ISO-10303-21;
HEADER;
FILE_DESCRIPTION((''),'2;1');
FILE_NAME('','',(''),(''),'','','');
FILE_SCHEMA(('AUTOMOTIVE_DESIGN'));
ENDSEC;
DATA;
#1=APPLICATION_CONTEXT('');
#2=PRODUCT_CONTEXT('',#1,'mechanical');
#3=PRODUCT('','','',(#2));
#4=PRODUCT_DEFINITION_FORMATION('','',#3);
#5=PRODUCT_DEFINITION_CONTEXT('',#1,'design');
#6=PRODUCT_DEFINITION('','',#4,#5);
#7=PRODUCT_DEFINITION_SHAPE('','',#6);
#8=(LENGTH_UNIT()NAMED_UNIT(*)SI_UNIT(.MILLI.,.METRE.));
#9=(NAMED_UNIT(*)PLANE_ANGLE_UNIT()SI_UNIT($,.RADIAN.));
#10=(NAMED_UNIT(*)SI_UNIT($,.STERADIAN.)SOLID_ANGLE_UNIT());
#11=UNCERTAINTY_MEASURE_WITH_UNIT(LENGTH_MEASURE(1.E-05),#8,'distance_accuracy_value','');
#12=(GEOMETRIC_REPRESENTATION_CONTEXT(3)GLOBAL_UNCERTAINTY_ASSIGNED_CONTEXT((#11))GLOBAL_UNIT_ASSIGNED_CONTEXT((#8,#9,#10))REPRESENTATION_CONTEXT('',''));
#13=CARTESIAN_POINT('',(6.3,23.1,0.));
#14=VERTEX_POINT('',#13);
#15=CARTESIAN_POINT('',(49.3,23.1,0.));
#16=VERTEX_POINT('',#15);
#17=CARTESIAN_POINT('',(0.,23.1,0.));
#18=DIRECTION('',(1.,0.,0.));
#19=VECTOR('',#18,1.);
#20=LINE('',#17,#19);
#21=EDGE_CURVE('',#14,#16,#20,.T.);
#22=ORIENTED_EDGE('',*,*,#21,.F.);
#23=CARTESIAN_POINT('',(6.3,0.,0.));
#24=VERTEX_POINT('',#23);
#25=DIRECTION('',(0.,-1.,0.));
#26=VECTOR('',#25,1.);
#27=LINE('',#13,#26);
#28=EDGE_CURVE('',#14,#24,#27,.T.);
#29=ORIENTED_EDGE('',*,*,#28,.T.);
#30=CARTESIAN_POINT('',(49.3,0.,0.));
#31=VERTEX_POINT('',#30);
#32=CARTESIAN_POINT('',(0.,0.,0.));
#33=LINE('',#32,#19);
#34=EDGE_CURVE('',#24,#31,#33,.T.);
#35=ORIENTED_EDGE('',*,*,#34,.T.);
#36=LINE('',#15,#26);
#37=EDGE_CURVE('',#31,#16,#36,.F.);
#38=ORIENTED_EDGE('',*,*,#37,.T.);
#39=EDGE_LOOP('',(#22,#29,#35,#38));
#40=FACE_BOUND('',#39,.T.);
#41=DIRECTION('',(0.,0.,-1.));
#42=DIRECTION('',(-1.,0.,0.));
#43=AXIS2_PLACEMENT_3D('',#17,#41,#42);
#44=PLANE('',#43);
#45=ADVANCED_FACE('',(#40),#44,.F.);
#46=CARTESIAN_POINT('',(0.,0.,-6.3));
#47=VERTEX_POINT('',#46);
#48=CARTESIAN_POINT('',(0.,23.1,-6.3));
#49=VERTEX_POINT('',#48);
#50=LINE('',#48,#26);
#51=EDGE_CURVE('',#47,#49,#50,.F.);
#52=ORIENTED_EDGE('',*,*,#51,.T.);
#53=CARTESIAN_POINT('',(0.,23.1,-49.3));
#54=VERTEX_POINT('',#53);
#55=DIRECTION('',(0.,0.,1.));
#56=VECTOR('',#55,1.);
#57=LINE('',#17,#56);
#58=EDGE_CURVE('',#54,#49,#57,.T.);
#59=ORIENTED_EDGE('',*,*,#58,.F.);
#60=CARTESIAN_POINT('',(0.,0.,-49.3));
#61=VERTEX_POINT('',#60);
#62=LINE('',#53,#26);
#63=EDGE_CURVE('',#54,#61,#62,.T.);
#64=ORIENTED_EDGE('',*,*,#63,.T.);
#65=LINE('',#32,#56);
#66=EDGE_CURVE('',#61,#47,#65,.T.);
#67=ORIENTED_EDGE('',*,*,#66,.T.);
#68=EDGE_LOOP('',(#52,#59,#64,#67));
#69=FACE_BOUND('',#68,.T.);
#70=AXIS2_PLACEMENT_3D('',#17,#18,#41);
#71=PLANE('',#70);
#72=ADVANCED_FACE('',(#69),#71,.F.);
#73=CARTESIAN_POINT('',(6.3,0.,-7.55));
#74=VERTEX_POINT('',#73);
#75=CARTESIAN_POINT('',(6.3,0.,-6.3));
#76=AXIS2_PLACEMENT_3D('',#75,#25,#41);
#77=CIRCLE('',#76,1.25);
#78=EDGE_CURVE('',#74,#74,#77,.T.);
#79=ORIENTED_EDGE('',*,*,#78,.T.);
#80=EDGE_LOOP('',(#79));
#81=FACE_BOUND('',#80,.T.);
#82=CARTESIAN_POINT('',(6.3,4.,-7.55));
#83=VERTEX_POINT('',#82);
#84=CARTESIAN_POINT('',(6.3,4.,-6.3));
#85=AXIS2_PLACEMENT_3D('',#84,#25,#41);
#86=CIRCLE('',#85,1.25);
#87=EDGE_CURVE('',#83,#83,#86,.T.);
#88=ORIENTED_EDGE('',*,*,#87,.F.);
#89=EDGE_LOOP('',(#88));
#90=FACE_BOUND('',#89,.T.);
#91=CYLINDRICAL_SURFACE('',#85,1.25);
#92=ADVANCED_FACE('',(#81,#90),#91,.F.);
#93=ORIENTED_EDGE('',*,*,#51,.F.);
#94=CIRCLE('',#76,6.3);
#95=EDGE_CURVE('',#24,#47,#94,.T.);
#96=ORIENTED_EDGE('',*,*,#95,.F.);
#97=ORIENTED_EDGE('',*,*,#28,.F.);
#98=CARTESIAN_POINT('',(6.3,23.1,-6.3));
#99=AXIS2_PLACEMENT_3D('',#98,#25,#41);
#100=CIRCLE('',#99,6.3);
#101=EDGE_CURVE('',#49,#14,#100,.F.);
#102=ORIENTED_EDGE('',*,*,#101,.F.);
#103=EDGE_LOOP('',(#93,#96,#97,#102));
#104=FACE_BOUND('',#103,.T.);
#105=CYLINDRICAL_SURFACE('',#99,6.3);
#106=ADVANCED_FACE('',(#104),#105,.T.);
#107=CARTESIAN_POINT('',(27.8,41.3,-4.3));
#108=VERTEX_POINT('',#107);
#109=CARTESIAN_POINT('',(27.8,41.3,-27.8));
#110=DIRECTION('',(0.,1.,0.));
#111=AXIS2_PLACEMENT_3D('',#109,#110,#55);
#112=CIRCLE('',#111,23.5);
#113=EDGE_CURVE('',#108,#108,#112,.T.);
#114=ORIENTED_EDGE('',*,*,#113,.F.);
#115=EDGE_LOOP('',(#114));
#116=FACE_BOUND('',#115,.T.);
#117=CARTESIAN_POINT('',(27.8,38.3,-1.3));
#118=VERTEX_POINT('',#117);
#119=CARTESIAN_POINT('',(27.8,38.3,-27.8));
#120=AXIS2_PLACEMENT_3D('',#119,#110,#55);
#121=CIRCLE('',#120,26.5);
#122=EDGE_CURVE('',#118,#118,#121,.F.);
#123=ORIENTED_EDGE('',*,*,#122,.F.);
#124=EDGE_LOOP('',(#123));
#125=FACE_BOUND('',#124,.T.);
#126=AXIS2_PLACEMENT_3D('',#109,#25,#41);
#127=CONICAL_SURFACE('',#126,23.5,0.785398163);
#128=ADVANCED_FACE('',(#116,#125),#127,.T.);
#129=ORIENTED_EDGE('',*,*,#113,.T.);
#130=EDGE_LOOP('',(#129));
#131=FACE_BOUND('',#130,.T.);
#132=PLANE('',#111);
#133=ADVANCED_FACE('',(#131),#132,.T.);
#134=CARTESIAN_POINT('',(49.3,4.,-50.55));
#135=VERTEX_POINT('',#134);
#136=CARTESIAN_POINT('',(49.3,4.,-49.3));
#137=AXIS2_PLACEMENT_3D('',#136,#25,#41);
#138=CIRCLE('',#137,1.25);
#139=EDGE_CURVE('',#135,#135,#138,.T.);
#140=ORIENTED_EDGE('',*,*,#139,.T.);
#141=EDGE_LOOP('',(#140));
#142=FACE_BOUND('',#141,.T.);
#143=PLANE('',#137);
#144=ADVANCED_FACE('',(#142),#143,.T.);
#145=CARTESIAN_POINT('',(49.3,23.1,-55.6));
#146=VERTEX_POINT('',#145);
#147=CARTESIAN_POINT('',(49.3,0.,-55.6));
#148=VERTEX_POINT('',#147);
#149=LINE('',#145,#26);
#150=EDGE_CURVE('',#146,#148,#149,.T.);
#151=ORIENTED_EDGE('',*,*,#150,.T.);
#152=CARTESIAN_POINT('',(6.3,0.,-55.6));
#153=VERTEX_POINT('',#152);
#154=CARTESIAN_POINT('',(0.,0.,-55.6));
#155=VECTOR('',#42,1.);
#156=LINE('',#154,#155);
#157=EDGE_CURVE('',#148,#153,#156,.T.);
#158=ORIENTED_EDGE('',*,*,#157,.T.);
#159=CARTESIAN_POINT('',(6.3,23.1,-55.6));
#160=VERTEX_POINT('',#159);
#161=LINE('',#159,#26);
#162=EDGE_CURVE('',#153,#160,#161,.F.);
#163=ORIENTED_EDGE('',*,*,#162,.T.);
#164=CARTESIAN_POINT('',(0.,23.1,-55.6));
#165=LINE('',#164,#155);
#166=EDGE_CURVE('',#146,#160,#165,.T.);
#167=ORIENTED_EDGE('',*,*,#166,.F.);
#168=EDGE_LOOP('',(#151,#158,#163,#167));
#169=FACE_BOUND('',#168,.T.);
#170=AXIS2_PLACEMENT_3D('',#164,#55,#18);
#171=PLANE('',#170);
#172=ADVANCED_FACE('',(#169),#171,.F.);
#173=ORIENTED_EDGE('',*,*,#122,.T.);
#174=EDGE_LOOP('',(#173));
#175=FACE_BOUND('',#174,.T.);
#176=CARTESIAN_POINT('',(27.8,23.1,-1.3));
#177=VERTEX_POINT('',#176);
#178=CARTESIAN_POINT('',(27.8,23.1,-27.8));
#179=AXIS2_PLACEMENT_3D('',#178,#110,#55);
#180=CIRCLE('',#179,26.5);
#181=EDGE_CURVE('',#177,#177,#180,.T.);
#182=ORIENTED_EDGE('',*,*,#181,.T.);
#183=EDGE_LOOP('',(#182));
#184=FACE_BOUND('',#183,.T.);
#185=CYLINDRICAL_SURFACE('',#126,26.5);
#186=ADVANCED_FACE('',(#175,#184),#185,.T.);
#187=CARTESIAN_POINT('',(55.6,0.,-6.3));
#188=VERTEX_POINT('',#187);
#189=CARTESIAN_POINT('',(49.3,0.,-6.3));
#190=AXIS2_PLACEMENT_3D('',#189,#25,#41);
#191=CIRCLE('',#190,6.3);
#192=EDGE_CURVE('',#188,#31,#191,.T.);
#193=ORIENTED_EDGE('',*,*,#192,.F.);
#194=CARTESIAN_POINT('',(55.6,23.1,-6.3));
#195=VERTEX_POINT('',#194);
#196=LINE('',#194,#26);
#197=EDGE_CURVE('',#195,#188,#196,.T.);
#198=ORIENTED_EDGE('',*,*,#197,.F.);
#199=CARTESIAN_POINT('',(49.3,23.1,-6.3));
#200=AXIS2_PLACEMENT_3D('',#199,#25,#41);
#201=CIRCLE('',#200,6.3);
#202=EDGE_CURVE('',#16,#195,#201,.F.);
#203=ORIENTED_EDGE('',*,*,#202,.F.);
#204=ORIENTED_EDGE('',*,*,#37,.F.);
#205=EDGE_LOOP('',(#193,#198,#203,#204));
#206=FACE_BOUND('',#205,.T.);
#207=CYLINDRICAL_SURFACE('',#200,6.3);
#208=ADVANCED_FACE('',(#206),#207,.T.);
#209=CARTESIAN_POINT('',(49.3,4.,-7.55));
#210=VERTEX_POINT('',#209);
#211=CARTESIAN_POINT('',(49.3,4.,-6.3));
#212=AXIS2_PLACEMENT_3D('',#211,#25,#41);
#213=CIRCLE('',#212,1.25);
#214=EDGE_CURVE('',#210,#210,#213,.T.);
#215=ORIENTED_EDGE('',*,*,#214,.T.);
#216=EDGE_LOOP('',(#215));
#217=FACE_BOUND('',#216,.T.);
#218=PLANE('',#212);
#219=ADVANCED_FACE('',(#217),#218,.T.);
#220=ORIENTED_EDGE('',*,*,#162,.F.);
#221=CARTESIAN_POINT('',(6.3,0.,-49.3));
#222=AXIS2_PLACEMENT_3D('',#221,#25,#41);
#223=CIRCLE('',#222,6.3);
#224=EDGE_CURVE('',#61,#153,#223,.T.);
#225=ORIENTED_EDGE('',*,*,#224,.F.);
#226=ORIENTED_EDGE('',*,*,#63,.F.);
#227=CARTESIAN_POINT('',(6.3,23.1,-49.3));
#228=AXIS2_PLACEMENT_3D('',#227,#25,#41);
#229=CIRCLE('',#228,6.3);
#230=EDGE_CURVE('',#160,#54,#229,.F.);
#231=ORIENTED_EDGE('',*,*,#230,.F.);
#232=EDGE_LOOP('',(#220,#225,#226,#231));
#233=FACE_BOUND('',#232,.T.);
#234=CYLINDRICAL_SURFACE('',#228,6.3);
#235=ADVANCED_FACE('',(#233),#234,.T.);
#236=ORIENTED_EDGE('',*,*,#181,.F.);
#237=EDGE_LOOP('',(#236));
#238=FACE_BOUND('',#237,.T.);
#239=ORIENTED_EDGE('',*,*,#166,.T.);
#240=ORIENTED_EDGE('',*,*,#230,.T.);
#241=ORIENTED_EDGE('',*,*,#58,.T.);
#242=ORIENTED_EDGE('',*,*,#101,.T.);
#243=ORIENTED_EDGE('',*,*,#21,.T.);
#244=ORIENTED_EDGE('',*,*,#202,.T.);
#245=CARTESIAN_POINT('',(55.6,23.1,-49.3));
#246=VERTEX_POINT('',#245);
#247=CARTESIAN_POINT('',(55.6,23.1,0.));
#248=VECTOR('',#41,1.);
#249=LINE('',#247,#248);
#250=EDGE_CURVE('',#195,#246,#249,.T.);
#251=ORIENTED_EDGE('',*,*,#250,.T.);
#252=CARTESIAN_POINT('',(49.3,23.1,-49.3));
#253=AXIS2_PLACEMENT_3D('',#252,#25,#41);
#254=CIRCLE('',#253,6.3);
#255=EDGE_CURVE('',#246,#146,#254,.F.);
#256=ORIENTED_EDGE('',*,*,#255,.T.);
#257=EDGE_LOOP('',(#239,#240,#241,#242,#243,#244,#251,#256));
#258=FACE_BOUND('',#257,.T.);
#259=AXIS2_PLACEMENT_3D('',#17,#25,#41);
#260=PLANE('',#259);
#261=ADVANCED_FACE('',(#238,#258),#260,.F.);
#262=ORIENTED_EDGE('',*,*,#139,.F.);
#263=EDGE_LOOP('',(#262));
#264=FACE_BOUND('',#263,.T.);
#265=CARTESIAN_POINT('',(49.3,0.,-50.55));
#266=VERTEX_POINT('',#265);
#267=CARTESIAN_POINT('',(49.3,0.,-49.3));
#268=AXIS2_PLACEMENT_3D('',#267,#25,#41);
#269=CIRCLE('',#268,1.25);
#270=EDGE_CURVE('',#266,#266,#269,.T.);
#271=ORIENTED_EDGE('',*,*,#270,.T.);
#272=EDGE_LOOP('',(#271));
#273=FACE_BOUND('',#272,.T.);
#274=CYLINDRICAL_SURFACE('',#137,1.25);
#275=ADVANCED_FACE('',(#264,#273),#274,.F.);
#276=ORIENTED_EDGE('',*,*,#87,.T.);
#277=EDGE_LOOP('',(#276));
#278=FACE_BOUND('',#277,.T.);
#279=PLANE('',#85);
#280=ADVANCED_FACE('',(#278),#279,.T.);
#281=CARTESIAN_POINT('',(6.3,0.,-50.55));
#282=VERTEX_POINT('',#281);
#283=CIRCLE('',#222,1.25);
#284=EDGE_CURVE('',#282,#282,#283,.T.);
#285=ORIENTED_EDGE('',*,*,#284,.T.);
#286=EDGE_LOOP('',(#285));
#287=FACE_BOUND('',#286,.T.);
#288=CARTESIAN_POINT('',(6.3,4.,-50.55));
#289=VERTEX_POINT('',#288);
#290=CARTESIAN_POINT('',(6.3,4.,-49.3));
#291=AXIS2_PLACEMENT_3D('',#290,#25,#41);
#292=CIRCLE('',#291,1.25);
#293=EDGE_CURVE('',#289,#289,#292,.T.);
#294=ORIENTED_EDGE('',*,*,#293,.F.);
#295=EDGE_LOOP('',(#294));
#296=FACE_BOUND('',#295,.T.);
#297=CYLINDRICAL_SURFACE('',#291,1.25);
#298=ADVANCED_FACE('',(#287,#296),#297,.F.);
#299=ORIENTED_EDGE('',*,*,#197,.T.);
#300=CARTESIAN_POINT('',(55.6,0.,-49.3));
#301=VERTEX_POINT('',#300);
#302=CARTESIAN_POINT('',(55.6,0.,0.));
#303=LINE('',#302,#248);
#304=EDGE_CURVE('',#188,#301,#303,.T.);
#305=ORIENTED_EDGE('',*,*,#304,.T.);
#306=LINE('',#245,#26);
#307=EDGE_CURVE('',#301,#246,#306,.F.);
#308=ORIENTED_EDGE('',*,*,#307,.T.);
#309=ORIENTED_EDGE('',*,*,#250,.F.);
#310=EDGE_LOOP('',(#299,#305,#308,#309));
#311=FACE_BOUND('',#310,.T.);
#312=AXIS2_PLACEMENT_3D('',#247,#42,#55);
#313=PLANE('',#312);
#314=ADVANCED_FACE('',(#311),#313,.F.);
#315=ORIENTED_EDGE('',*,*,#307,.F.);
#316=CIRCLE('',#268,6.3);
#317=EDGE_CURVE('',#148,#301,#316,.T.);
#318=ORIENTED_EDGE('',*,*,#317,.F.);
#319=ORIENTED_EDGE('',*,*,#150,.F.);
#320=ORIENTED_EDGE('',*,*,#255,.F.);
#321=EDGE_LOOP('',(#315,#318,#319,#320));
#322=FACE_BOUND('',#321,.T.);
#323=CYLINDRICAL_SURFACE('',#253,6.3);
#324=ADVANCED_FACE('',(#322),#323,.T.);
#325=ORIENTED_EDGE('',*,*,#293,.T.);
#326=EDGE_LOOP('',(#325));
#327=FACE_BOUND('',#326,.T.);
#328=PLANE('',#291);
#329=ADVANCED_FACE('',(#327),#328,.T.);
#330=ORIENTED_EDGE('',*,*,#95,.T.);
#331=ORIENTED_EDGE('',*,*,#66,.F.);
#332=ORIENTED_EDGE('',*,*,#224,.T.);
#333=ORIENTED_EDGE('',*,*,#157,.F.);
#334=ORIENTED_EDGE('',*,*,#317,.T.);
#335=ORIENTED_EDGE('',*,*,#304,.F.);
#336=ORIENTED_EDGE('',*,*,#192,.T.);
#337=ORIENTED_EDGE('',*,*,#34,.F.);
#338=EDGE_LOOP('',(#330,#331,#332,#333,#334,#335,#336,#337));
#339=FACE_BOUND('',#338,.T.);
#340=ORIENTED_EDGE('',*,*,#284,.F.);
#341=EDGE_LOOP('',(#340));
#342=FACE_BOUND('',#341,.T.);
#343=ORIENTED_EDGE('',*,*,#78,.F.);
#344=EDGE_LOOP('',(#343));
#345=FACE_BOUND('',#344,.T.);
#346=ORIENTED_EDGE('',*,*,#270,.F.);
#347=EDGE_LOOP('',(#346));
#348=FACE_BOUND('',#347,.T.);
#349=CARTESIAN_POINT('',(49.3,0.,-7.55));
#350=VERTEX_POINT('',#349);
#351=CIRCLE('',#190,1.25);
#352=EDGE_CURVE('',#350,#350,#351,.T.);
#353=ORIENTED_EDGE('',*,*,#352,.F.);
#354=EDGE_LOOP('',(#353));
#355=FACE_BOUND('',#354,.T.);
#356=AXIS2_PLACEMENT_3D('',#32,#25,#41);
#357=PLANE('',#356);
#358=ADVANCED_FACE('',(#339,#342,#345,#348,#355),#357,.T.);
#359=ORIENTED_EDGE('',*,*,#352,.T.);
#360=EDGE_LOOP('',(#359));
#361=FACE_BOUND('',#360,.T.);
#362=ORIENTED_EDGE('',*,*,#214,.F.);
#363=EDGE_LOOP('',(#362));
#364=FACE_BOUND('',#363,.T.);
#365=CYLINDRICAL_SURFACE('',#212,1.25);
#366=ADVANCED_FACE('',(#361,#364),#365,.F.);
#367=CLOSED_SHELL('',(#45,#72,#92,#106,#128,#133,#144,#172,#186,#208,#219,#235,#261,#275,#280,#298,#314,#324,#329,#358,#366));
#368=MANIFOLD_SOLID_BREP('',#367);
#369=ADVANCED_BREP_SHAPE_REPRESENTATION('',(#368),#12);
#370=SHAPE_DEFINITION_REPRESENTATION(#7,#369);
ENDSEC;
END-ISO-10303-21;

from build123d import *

# Parameters (mm, degrees)
SKETCH1_W           = 55.6
SKETCH1_H           = 55.6
BOSS_EXTRUDE1_DEPTH = 23.1
FILLET1_R           = 6.3
SKETCH2_R           = 1.25
SCREW_HOLES_DEPTH   = 4
SKETCH3_R           = 26.5
BOSS_EXTRUDE2_DEPTH = 18.2
CHAMFER1_SIZE       = 3


with BuildPart() as part:
    # Sketch1 → Boss-Extrude1 (new body)
    with BuildSketch(Plane(origin=(0, 0, 0), x_dir=(1, 0, 0), z_dir=(0, 1, 0))):
        with Locations((27.8, 27.8)):
            Rectangle(SKETCH1_W, SKETCH1_H)
    extrude(amount=BOSS_EXTRUDE1_DEPTH)

    # Fillet1
    fillet1_edges = [part.edges().sort_by_distance(p)[0] for p in [
        (0, 11.55, -55.6),
        (55.6, 11.55, -55.6),
        (55.6, 11.55, 0),
        (0, 11.55, 0),
    ]]
    fillet(fillet1_edges, radius=FILLET1_R)

    # Sketch2 → Screw Holes (cut)
    with BuildSketch(Plane.XZ):
        with Locations(Location((6.3, -6.3, 0), (0, 0, 270))):
            Circle(SKETCH2_R)
        with Locations(Location((49.3, -6.3, 0), (0, 0, 270))):
            Circle(SKETCH2_R)
        with Locations(Location((49.3, -49.3, 0), (0, 0, 270))):
            Circle(SKETCH2_R)
        with Locations(Location((6.3, -49.3, 0), (0, 0, 270))):
            Circle(SKETCH2_R)
    extrude(amount=-SCREW_HOLES_DEPTH, mode=Mode.SUBTRACT)

    # Sketch3 → Boss-Extrude2 (add)
    with BuildSketch(Plane(origin=(0, 23.1, 0), x_dir=(1, 0, 0), z_dir=(0, 1, 0))):
        with Locations(Location((27.8, 27.8, 0), (0, 0, 270))):
            Circle(SKETCH3_R)
    extrude(amount=BOSS_EXTRUDE2_DEPTH)

    # Chamfer1
    chamfer1_edges = [part.edges().sort_by_distance(p)[0] for p in [
        (27.8, 41.3, -54.3),
    ]]
    chamfer(chamfer1_edges, length=CHAMFER1_SIZE)


solid = part.part
